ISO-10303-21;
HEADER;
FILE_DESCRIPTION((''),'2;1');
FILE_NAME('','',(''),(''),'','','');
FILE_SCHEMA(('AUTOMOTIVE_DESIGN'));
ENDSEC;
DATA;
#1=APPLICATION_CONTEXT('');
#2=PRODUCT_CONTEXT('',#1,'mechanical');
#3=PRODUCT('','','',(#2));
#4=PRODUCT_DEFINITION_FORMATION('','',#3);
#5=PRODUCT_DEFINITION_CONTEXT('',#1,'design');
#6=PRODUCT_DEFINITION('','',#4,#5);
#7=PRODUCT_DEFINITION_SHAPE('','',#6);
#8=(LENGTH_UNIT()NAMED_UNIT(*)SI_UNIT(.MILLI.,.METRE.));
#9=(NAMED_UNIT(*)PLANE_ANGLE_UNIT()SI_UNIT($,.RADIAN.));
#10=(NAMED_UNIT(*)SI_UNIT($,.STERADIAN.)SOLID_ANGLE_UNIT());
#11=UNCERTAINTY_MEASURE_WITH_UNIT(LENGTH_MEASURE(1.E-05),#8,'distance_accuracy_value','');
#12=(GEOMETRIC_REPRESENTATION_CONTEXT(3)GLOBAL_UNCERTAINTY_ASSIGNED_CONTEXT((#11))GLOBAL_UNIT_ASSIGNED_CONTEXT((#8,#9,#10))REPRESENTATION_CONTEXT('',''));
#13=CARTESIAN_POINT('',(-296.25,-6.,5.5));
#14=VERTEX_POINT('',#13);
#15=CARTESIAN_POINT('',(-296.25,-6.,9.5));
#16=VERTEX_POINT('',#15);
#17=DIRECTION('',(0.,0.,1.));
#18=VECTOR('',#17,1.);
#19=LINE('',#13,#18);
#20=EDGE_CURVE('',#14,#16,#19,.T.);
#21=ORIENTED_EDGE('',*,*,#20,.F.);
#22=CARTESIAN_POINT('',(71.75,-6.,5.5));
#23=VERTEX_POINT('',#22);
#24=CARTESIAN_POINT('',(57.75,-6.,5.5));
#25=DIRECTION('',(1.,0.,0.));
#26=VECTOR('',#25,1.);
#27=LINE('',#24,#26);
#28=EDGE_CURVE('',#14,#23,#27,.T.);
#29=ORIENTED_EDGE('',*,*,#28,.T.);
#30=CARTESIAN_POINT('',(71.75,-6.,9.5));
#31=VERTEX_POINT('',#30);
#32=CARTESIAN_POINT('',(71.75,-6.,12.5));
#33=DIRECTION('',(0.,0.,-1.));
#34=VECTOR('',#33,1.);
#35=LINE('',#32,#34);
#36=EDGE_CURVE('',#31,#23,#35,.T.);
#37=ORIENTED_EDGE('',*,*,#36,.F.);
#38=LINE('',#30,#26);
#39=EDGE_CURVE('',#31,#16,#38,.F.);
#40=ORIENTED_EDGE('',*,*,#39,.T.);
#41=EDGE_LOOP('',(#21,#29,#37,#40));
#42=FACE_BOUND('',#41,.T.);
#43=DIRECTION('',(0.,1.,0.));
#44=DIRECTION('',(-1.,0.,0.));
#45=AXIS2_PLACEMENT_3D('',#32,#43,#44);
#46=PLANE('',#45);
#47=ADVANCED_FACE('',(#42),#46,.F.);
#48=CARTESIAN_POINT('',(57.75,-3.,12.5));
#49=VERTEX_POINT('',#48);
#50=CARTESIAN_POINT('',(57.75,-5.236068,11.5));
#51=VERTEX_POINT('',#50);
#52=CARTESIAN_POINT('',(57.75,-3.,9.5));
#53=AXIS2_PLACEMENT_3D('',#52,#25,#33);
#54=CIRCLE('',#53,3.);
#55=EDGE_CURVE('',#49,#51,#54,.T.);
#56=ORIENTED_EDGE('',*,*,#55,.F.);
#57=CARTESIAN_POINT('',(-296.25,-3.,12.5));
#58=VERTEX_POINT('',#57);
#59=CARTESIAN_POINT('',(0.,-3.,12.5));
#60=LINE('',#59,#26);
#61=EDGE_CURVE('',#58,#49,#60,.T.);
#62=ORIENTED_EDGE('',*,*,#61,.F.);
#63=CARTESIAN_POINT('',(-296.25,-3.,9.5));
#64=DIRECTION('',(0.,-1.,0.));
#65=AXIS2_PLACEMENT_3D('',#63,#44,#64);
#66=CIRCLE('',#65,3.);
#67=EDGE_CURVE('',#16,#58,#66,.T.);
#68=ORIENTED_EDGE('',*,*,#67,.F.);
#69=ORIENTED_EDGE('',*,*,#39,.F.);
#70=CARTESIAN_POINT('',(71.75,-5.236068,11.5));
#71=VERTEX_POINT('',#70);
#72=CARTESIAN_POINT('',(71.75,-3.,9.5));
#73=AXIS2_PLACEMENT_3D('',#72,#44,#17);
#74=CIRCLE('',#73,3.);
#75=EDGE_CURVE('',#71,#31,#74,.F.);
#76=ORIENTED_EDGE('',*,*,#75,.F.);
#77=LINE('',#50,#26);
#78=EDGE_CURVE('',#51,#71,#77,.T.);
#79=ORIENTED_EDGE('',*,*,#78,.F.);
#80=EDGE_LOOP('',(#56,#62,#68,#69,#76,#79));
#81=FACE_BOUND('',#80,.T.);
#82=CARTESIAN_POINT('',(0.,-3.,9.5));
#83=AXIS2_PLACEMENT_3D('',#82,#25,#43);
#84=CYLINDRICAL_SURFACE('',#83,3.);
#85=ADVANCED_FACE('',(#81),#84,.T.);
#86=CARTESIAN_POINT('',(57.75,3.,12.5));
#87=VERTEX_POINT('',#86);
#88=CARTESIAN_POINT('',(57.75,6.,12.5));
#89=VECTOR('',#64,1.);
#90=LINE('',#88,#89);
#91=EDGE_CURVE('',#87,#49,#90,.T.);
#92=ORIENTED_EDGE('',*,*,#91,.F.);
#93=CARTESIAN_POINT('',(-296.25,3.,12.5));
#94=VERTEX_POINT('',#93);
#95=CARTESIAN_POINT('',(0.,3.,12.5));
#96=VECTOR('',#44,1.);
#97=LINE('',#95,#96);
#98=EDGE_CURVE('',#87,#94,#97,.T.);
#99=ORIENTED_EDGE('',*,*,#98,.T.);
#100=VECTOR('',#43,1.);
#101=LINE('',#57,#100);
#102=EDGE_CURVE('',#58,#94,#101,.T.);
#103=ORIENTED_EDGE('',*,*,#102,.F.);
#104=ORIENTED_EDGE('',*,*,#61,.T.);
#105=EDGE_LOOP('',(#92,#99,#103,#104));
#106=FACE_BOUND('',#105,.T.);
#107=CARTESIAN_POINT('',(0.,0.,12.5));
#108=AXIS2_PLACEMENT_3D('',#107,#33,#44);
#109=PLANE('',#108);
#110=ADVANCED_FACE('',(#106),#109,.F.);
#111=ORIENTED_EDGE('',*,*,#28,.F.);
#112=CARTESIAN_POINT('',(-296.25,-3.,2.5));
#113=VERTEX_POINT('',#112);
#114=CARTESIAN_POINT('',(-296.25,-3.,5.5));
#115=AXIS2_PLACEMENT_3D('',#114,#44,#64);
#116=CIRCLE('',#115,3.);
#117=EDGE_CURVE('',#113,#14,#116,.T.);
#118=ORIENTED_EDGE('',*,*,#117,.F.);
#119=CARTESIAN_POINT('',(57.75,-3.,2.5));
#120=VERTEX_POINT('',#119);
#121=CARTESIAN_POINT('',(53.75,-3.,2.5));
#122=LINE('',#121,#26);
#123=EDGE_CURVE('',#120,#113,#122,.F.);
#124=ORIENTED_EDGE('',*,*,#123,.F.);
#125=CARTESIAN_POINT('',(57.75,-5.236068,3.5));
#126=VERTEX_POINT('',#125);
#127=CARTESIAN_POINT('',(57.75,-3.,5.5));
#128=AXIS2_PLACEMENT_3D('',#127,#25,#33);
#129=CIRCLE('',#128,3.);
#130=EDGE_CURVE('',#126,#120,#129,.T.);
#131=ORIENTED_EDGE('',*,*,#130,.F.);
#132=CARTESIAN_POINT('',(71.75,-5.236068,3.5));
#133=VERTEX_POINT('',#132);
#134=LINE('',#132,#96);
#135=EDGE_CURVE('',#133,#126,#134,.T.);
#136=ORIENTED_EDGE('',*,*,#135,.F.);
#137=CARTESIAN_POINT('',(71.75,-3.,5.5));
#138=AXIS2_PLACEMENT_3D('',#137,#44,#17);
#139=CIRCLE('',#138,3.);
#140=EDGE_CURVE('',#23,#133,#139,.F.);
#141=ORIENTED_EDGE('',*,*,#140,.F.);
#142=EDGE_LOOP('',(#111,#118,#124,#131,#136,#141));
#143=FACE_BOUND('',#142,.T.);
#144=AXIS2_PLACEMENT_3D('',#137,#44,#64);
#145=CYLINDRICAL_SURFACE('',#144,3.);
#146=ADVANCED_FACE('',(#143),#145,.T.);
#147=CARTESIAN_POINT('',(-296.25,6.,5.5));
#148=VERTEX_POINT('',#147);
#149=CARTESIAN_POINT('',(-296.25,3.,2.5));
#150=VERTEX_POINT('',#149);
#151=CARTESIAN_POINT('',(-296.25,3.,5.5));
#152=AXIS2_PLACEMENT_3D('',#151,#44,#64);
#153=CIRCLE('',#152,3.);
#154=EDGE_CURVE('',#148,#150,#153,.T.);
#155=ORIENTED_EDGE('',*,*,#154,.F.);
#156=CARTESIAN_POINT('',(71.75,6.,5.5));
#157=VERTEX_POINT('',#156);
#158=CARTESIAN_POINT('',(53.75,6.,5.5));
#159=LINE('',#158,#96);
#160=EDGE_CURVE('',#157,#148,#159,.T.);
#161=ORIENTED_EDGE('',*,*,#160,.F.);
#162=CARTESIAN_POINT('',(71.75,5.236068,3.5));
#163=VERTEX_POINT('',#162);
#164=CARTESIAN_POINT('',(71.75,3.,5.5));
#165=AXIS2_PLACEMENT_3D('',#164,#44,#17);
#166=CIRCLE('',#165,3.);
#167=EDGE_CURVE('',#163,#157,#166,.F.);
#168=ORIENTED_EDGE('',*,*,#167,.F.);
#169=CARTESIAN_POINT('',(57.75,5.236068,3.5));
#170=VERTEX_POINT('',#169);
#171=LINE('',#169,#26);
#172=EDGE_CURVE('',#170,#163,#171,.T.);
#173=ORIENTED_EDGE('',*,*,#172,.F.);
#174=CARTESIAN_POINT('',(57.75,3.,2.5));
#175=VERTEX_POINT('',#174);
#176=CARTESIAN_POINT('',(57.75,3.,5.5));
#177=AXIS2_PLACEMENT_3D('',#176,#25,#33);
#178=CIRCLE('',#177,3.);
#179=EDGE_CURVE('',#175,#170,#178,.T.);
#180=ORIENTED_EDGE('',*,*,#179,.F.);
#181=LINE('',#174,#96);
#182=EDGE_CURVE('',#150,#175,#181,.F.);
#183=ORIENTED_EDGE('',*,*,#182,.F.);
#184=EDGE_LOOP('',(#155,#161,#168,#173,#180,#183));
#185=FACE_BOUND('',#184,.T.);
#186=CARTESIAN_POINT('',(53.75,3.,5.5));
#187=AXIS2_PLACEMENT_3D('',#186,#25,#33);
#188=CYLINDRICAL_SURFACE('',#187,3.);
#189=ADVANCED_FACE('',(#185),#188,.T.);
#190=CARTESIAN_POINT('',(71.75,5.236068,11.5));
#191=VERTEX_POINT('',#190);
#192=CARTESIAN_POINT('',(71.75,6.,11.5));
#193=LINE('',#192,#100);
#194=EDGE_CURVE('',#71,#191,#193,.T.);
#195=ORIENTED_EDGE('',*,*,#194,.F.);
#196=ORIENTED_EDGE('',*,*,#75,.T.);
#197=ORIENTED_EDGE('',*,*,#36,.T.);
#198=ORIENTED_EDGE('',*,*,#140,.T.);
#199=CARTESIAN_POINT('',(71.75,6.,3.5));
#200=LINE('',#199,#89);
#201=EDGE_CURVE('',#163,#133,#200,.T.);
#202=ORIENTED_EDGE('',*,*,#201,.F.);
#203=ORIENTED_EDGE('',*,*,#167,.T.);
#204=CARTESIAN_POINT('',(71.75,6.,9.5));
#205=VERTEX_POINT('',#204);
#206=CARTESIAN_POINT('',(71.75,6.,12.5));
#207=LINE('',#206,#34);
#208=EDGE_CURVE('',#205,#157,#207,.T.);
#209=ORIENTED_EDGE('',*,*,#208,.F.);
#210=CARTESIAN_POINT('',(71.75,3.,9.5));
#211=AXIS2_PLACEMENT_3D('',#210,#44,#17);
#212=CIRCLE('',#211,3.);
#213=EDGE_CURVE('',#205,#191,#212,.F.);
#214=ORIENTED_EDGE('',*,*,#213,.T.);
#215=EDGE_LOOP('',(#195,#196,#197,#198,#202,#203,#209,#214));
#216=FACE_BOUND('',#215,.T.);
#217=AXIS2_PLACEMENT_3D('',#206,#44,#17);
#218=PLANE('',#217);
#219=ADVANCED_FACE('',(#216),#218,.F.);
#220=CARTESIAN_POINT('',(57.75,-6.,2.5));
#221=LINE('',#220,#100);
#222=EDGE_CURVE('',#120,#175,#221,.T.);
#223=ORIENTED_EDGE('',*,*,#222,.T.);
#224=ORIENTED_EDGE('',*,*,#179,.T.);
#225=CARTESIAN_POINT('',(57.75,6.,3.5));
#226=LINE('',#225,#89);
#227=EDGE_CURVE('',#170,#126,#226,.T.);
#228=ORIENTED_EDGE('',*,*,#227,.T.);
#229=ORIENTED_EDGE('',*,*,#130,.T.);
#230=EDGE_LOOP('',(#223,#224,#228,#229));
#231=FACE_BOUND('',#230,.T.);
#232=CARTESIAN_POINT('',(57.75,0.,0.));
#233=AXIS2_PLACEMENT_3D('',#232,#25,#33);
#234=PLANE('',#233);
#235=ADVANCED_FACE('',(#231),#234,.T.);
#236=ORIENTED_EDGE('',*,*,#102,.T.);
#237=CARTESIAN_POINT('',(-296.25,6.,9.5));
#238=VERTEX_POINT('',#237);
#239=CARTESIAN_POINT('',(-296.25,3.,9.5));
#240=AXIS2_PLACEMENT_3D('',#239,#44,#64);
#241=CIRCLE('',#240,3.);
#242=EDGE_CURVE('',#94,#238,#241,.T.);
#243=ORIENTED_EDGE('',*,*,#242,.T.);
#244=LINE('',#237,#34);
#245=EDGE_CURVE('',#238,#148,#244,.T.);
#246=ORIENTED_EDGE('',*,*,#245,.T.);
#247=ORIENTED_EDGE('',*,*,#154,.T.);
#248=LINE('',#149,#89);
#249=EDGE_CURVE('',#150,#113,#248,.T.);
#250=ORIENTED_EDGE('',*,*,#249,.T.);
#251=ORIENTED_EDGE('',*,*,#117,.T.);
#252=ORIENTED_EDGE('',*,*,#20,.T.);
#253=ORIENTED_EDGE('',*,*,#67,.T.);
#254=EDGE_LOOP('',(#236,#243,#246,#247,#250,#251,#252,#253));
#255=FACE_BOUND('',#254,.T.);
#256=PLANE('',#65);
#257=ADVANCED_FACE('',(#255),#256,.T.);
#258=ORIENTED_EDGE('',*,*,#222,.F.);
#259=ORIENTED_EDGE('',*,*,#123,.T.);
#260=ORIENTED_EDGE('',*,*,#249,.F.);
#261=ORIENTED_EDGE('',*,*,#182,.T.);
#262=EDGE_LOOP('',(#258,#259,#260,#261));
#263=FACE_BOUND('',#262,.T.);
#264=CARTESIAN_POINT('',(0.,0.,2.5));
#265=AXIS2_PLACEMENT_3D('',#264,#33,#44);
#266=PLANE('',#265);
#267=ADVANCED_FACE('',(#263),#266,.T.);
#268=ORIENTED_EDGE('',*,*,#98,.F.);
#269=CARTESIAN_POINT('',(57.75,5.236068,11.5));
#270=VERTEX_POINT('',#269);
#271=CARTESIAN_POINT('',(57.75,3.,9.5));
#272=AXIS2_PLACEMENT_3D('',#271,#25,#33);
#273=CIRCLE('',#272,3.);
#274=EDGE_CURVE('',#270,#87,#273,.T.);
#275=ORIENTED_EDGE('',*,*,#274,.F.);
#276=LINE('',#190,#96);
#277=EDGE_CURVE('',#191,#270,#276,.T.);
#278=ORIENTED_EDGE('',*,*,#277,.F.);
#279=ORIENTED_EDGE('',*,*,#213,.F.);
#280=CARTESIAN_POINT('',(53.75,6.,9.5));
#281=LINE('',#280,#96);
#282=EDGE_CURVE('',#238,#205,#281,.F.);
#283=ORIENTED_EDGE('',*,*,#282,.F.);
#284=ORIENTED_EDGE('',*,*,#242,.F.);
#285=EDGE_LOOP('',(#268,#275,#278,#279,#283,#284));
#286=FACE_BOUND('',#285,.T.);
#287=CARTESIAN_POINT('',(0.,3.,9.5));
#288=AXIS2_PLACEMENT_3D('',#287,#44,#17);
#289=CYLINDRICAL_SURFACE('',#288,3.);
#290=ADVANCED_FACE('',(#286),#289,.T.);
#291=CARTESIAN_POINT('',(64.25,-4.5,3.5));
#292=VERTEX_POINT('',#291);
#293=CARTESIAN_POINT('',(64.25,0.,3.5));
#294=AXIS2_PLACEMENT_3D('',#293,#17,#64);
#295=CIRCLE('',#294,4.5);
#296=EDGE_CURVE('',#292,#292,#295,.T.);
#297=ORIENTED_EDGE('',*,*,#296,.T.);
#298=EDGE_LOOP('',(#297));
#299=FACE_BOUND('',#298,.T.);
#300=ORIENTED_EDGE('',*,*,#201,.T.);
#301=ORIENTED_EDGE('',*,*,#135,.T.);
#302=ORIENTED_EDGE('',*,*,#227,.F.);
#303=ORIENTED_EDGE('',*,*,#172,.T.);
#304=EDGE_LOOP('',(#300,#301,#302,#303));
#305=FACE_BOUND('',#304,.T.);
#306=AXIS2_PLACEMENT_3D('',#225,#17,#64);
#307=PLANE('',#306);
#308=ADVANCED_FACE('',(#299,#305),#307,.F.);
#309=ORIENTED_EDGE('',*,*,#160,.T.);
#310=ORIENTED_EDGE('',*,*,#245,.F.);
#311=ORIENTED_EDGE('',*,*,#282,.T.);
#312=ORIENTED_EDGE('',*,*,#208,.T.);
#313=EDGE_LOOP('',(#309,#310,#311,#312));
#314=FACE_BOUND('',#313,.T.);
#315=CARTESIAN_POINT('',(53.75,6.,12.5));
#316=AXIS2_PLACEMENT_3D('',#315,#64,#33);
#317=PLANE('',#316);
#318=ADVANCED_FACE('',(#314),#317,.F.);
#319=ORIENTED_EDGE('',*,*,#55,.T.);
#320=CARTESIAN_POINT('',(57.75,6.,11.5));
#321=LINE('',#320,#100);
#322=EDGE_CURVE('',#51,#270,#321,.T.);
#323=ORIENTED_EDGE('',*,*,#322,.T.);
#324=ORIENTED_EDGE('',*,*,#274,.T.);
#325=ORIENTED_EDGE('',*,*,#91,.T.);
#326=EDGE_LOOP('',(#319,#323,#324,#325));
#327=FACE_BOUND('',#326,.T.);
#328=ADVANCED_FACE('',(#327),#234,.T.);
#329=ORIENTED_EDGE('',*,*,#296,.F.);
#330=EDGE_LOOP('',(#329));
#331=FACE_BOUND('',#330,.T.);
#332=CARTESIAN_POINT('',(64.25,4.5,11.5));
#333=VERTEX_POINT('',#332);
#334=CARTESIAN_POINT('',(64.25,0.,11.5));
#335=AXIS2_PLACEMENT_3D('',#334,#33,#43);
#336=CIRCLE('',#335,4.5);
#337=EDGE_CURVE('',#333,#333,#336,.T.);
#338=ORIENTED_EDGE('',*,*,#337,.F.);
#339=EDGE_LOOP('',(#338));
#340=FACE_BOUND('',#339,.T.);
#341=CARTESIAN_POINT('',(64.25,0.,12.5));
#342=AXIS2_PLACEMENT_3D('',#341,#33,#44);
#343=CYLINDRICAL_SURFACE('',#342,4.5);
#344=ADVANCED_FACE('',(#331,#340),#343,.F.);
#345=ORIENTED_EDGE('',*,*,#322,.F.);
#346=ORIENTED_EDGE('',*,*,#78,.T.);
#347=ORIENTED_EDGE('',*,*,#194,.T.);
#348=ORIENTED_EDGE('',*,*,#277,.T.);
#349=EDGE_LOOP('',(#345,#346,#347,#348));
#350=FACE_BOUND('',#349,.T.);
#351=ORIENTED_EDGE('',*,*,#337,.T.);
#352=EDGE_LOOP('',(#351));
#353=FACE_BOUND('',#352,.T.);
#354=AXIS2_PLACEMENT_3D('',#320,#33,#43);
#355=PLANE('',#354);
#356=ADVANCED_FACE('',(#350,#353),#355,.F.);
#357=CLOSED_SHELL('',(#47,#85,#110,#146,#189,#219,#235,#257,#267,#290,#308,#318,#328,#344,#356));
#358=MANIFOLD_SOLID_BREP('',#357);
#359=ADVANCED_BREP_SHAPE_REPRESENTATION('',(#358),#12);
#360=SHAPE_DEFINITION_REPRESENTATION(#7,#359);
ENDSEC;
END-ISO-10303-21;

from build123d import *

# Parameters (mm, degrees)
CROQUIS1_W                 = 37.5
CROQUIS1_H                 = 30
SALIENTE_EXTRUIR1_DEPTH    = 15
CROQUIS2_R                 = 2.1
SALIENTE_EXTRUIR2_DEPTH    = 1
SALIENTE_EXTRUIR3_DEPTH    = 35
CROQUIS5_W                 = 18
CROQUIS5_H                 = 12
CROQUIS5_R                 = 4.5
SALIENTE_EXTRUIR4_DEPTH    = 5
CROQUIS6_W                 = 1
CROQUIS6_H                 = 12
CORTAR_EXTRUIR2_DEPTH      = 14
REDONDEO2_R                = 3
CORTAR_EXTRUIR3_DEPTH      = 78.447159406
CORTAR_EXTRUIR3_DEPTH_BACK = 78.447159406
CROQUIS7_OUTSIDE_W         = 123.972
CROQUIS7_OUTSIDE_H         = 74.472
CROQUIS7_OUTSIDE_W_2       = 24.163279834
CROQUIS7_OUTSIDE_H_2       = 36.211204922
SALIENTE_EXTRUIR5_DEPTH    = 350


with BuildPart() as part:
    # Croquis1 → Saliente-Extruir1 (new body)
    with BuildSketch(Plane.XY):
        Rectangle(CROQUIS1_W, CROQUIS1_H)
    extrude(amount=SALIENTE_EXTRUIR1_DEPTH)

    # Croquis2 → Saliente-Extruir2 (add)
    # profile 1 of 3: a face of its own
    with BuildSketch(Plane.XY):
        with BuildLine():
            Line((-18.75, 3.7), (-26.75, 3.7))
            ThreePointArc((-26.75, 3.7), (-27.457106781, 3.407106781), (-27.75, 2.7))
            Line((-27.75, 2.7), (-27.75, -2.7))
            ThreePointArc((-27.75, -2.7), (-27.457106781, -3.407106781), (-26.75, -3.7))
            Line((-26.75, -3.7), (-18.75, -3.7))
            Line((-18.75, -3.7), (-18.75, 3.7))
        make_face()
        with Locations((-23.25, 0)):
            Circle(CROQUIS2_R, mode=Mode.SUBTRACT)
    # profile 2 of 3: a face of its own
    with BuildSketch(Plane.XY):
        with BuildLine():
            Line((-10, 15), (10, 15))
            Line((10, 15), (10, 24))
            ThreePointArc((10, 24), (9.707106781, 24.707106781), (9, 25))
            Line((9, 25), (-9, 25))
            ThreePointArc((-9, 25), (-9.707106781, 24.707106781), (-10, 24))
            Line((-10, 24), (-10, 15))
        make_face()
        with Locations((-5.5, 20)):
            Circle(CROQUIS2_R, mode=Mode.SUBTRACT)
        with Locations((5.5, 20)):
            Circle(CROQUIS2_R, mode=Mode.SUBTRACT)
    # profile 3 of 3: a face of its own
    with BuildSketch(Plane.XY):
        with BuildLine():
            Line((-9, -25), (9, -25))
            ThreePointArc((9, -25), (9.707106781, -24.707106781), (10, -24))
            Line((10, -24), (10, -15))
            Line((10, -15), (-10, -15))
            Line((-10, -15), (-10, -24))
            ThreePointArc((-10, -24), (-9.707106781, -24.707106781), (-9, -25))
        make_face()
        with Locations(Location((5.5, -20, 0), (0, 0, 180))):
            Circle(CROQUIS2_R, mode=Mode.SUBTRACT)
        with Locations(Location((-5.5, -20, 0), (0, 0, 180))):
            Circle(CROQUIS2_R, mode=Mode.SUBTRACT)
    extrude(amount=SALIENTE_EXTRUIR2_DEPTH)

    # Croquis3 → Saliente-Extruir3 (add)
    with BuildSketch(Plane(origin=(18.75, 0, 0), x_dir=(0, 0, -1), z_dir=(1, 0, 0))):
        with BuildLine():
            Line((-10.5, -12.5), (-4.5, -12.5))
            ThreePointArc((-4.5, -12.5), (-2.378679656, -11.621320344), (-1.5, -9.5))
            Line((-1.5, -9.5), (-1.5, 9.5))
            ThreePointArc((-1.5, 9.5), (-2.378679656, 11.621320344), (-4.5, 12.5))
            Line((-4.5, 12.5), (-10.5, 12.5))
            ThreePointArc((-10.5, 12.5), (-12.621320344, 11.621320344), (-13.5, 9.5))
            Line((-13.5, 9.5), (-13.5, -9.5))
            ThreePointArc((-13.5, -9.5), (-12.621320344, -11.621320344), (-10.5, -12.5))
        make_face()
    extrude(amount=SALIENTE_EXTRUIR3_DEPTH)

    # Croquis5 → Saliente-Extruir4 (add, symmetric)
    with BuildSketch(Plane.XY.offset(7.5)):
        with Locations((62.75, 0)):
            Rectangle(CROQUIS5_W, CROQUIS5_H)
        with Locations((64.25, 0)):
            Circle(CROQUIS5_R, mode=Mode.SUBTRACT)
    extrude(amount=SALIENTE_EXTRUIR4_DEPTH, both=True)

    # Croquis6 → Cortar-Extruir2 (cut)
    with BuildSketch(Plane(origin=(71.75, 0, 0), x_dir=(0, 0, -1), z_dir=(1, 0, 0))):
        with Locations((-12, 0)):
            Rectangle(CROQUIS6_W, CROQUIS6_H)
        with Locations((-3, 0)):
            Rectangle(CROQUIS6_W, CROQUIS6_H)
    extrude(amount=-CORTAR_EXTRUIR2_DEPTH, mode=Mode.SUBTRACT)

    # Redondeo2
    redondeo2_edges = [part.edges().sort_by_distance(p)[0] for p in [
        (55.75, -6, 12.5),
        (55.75, -6, 2.5),
        (55.75, 6, 2.5),
        (55.75, 6, 12.5),
    ]]
    fillet(redondeo2_edges, radius=REDONDEO2_R)

    # Croquis7 outside → Cortar-Extruir3 (cut, two sides: drawn at the far end of the back side and taken through both)
    with BuildSketch(Plane.XY.offset(15).offset(-CORTAR_EXTRUIR3_DEPTH_BACK)):
        with Locations((22, 0)):
            Rectangle(CROQUIS7_OUTSIDE_W, CROQUIS7_OUTSIDE_H)
        with Locations((65.831639917, -3.105602461)):
            Rectangle(CROQUIS7_OUTSIDE_W_2, CROQUIS7_OUTSIDE_H_2, mode=Mode.SUBTRACT)
    extrude(amount=CORTAR_EXTRUIR3_DEPTH + CORTAR_EXTRUIR3_DEPTH_BACK, mode=Mode.SUBTRACT)

    # Croquis10 → Saliente-Extruir5 (add)
    with BuildSketch(Plane.ZY.offset(-53.75)):
        with BuildLine():
            Line((5.5, -6), (9.5, -6))
            ThreePointArc((9.5, -6), (11.621320344, -5.121320344), (12.5, -3))
            Line((12.5, -3), (12.5, 3))
            ThreePointArc((12.5, 3), (11.621320344, 5.121320344), (9.5, 6))
            Line((9.5, 6), (5.5, 6))
            ThreePointArc((5.5, 6), (3.378679656, 5.121320344), (2.5, 3))
            Line((2.5, 3), (2.5, -3))
            ThreePointArc((2.5, -3), (3.378679656, -5.121320344), (5.5, -6))
        make_face()
    extrude(amount=SALIENTE_EXTRUIR5_DEPTH)


solid = part.part
